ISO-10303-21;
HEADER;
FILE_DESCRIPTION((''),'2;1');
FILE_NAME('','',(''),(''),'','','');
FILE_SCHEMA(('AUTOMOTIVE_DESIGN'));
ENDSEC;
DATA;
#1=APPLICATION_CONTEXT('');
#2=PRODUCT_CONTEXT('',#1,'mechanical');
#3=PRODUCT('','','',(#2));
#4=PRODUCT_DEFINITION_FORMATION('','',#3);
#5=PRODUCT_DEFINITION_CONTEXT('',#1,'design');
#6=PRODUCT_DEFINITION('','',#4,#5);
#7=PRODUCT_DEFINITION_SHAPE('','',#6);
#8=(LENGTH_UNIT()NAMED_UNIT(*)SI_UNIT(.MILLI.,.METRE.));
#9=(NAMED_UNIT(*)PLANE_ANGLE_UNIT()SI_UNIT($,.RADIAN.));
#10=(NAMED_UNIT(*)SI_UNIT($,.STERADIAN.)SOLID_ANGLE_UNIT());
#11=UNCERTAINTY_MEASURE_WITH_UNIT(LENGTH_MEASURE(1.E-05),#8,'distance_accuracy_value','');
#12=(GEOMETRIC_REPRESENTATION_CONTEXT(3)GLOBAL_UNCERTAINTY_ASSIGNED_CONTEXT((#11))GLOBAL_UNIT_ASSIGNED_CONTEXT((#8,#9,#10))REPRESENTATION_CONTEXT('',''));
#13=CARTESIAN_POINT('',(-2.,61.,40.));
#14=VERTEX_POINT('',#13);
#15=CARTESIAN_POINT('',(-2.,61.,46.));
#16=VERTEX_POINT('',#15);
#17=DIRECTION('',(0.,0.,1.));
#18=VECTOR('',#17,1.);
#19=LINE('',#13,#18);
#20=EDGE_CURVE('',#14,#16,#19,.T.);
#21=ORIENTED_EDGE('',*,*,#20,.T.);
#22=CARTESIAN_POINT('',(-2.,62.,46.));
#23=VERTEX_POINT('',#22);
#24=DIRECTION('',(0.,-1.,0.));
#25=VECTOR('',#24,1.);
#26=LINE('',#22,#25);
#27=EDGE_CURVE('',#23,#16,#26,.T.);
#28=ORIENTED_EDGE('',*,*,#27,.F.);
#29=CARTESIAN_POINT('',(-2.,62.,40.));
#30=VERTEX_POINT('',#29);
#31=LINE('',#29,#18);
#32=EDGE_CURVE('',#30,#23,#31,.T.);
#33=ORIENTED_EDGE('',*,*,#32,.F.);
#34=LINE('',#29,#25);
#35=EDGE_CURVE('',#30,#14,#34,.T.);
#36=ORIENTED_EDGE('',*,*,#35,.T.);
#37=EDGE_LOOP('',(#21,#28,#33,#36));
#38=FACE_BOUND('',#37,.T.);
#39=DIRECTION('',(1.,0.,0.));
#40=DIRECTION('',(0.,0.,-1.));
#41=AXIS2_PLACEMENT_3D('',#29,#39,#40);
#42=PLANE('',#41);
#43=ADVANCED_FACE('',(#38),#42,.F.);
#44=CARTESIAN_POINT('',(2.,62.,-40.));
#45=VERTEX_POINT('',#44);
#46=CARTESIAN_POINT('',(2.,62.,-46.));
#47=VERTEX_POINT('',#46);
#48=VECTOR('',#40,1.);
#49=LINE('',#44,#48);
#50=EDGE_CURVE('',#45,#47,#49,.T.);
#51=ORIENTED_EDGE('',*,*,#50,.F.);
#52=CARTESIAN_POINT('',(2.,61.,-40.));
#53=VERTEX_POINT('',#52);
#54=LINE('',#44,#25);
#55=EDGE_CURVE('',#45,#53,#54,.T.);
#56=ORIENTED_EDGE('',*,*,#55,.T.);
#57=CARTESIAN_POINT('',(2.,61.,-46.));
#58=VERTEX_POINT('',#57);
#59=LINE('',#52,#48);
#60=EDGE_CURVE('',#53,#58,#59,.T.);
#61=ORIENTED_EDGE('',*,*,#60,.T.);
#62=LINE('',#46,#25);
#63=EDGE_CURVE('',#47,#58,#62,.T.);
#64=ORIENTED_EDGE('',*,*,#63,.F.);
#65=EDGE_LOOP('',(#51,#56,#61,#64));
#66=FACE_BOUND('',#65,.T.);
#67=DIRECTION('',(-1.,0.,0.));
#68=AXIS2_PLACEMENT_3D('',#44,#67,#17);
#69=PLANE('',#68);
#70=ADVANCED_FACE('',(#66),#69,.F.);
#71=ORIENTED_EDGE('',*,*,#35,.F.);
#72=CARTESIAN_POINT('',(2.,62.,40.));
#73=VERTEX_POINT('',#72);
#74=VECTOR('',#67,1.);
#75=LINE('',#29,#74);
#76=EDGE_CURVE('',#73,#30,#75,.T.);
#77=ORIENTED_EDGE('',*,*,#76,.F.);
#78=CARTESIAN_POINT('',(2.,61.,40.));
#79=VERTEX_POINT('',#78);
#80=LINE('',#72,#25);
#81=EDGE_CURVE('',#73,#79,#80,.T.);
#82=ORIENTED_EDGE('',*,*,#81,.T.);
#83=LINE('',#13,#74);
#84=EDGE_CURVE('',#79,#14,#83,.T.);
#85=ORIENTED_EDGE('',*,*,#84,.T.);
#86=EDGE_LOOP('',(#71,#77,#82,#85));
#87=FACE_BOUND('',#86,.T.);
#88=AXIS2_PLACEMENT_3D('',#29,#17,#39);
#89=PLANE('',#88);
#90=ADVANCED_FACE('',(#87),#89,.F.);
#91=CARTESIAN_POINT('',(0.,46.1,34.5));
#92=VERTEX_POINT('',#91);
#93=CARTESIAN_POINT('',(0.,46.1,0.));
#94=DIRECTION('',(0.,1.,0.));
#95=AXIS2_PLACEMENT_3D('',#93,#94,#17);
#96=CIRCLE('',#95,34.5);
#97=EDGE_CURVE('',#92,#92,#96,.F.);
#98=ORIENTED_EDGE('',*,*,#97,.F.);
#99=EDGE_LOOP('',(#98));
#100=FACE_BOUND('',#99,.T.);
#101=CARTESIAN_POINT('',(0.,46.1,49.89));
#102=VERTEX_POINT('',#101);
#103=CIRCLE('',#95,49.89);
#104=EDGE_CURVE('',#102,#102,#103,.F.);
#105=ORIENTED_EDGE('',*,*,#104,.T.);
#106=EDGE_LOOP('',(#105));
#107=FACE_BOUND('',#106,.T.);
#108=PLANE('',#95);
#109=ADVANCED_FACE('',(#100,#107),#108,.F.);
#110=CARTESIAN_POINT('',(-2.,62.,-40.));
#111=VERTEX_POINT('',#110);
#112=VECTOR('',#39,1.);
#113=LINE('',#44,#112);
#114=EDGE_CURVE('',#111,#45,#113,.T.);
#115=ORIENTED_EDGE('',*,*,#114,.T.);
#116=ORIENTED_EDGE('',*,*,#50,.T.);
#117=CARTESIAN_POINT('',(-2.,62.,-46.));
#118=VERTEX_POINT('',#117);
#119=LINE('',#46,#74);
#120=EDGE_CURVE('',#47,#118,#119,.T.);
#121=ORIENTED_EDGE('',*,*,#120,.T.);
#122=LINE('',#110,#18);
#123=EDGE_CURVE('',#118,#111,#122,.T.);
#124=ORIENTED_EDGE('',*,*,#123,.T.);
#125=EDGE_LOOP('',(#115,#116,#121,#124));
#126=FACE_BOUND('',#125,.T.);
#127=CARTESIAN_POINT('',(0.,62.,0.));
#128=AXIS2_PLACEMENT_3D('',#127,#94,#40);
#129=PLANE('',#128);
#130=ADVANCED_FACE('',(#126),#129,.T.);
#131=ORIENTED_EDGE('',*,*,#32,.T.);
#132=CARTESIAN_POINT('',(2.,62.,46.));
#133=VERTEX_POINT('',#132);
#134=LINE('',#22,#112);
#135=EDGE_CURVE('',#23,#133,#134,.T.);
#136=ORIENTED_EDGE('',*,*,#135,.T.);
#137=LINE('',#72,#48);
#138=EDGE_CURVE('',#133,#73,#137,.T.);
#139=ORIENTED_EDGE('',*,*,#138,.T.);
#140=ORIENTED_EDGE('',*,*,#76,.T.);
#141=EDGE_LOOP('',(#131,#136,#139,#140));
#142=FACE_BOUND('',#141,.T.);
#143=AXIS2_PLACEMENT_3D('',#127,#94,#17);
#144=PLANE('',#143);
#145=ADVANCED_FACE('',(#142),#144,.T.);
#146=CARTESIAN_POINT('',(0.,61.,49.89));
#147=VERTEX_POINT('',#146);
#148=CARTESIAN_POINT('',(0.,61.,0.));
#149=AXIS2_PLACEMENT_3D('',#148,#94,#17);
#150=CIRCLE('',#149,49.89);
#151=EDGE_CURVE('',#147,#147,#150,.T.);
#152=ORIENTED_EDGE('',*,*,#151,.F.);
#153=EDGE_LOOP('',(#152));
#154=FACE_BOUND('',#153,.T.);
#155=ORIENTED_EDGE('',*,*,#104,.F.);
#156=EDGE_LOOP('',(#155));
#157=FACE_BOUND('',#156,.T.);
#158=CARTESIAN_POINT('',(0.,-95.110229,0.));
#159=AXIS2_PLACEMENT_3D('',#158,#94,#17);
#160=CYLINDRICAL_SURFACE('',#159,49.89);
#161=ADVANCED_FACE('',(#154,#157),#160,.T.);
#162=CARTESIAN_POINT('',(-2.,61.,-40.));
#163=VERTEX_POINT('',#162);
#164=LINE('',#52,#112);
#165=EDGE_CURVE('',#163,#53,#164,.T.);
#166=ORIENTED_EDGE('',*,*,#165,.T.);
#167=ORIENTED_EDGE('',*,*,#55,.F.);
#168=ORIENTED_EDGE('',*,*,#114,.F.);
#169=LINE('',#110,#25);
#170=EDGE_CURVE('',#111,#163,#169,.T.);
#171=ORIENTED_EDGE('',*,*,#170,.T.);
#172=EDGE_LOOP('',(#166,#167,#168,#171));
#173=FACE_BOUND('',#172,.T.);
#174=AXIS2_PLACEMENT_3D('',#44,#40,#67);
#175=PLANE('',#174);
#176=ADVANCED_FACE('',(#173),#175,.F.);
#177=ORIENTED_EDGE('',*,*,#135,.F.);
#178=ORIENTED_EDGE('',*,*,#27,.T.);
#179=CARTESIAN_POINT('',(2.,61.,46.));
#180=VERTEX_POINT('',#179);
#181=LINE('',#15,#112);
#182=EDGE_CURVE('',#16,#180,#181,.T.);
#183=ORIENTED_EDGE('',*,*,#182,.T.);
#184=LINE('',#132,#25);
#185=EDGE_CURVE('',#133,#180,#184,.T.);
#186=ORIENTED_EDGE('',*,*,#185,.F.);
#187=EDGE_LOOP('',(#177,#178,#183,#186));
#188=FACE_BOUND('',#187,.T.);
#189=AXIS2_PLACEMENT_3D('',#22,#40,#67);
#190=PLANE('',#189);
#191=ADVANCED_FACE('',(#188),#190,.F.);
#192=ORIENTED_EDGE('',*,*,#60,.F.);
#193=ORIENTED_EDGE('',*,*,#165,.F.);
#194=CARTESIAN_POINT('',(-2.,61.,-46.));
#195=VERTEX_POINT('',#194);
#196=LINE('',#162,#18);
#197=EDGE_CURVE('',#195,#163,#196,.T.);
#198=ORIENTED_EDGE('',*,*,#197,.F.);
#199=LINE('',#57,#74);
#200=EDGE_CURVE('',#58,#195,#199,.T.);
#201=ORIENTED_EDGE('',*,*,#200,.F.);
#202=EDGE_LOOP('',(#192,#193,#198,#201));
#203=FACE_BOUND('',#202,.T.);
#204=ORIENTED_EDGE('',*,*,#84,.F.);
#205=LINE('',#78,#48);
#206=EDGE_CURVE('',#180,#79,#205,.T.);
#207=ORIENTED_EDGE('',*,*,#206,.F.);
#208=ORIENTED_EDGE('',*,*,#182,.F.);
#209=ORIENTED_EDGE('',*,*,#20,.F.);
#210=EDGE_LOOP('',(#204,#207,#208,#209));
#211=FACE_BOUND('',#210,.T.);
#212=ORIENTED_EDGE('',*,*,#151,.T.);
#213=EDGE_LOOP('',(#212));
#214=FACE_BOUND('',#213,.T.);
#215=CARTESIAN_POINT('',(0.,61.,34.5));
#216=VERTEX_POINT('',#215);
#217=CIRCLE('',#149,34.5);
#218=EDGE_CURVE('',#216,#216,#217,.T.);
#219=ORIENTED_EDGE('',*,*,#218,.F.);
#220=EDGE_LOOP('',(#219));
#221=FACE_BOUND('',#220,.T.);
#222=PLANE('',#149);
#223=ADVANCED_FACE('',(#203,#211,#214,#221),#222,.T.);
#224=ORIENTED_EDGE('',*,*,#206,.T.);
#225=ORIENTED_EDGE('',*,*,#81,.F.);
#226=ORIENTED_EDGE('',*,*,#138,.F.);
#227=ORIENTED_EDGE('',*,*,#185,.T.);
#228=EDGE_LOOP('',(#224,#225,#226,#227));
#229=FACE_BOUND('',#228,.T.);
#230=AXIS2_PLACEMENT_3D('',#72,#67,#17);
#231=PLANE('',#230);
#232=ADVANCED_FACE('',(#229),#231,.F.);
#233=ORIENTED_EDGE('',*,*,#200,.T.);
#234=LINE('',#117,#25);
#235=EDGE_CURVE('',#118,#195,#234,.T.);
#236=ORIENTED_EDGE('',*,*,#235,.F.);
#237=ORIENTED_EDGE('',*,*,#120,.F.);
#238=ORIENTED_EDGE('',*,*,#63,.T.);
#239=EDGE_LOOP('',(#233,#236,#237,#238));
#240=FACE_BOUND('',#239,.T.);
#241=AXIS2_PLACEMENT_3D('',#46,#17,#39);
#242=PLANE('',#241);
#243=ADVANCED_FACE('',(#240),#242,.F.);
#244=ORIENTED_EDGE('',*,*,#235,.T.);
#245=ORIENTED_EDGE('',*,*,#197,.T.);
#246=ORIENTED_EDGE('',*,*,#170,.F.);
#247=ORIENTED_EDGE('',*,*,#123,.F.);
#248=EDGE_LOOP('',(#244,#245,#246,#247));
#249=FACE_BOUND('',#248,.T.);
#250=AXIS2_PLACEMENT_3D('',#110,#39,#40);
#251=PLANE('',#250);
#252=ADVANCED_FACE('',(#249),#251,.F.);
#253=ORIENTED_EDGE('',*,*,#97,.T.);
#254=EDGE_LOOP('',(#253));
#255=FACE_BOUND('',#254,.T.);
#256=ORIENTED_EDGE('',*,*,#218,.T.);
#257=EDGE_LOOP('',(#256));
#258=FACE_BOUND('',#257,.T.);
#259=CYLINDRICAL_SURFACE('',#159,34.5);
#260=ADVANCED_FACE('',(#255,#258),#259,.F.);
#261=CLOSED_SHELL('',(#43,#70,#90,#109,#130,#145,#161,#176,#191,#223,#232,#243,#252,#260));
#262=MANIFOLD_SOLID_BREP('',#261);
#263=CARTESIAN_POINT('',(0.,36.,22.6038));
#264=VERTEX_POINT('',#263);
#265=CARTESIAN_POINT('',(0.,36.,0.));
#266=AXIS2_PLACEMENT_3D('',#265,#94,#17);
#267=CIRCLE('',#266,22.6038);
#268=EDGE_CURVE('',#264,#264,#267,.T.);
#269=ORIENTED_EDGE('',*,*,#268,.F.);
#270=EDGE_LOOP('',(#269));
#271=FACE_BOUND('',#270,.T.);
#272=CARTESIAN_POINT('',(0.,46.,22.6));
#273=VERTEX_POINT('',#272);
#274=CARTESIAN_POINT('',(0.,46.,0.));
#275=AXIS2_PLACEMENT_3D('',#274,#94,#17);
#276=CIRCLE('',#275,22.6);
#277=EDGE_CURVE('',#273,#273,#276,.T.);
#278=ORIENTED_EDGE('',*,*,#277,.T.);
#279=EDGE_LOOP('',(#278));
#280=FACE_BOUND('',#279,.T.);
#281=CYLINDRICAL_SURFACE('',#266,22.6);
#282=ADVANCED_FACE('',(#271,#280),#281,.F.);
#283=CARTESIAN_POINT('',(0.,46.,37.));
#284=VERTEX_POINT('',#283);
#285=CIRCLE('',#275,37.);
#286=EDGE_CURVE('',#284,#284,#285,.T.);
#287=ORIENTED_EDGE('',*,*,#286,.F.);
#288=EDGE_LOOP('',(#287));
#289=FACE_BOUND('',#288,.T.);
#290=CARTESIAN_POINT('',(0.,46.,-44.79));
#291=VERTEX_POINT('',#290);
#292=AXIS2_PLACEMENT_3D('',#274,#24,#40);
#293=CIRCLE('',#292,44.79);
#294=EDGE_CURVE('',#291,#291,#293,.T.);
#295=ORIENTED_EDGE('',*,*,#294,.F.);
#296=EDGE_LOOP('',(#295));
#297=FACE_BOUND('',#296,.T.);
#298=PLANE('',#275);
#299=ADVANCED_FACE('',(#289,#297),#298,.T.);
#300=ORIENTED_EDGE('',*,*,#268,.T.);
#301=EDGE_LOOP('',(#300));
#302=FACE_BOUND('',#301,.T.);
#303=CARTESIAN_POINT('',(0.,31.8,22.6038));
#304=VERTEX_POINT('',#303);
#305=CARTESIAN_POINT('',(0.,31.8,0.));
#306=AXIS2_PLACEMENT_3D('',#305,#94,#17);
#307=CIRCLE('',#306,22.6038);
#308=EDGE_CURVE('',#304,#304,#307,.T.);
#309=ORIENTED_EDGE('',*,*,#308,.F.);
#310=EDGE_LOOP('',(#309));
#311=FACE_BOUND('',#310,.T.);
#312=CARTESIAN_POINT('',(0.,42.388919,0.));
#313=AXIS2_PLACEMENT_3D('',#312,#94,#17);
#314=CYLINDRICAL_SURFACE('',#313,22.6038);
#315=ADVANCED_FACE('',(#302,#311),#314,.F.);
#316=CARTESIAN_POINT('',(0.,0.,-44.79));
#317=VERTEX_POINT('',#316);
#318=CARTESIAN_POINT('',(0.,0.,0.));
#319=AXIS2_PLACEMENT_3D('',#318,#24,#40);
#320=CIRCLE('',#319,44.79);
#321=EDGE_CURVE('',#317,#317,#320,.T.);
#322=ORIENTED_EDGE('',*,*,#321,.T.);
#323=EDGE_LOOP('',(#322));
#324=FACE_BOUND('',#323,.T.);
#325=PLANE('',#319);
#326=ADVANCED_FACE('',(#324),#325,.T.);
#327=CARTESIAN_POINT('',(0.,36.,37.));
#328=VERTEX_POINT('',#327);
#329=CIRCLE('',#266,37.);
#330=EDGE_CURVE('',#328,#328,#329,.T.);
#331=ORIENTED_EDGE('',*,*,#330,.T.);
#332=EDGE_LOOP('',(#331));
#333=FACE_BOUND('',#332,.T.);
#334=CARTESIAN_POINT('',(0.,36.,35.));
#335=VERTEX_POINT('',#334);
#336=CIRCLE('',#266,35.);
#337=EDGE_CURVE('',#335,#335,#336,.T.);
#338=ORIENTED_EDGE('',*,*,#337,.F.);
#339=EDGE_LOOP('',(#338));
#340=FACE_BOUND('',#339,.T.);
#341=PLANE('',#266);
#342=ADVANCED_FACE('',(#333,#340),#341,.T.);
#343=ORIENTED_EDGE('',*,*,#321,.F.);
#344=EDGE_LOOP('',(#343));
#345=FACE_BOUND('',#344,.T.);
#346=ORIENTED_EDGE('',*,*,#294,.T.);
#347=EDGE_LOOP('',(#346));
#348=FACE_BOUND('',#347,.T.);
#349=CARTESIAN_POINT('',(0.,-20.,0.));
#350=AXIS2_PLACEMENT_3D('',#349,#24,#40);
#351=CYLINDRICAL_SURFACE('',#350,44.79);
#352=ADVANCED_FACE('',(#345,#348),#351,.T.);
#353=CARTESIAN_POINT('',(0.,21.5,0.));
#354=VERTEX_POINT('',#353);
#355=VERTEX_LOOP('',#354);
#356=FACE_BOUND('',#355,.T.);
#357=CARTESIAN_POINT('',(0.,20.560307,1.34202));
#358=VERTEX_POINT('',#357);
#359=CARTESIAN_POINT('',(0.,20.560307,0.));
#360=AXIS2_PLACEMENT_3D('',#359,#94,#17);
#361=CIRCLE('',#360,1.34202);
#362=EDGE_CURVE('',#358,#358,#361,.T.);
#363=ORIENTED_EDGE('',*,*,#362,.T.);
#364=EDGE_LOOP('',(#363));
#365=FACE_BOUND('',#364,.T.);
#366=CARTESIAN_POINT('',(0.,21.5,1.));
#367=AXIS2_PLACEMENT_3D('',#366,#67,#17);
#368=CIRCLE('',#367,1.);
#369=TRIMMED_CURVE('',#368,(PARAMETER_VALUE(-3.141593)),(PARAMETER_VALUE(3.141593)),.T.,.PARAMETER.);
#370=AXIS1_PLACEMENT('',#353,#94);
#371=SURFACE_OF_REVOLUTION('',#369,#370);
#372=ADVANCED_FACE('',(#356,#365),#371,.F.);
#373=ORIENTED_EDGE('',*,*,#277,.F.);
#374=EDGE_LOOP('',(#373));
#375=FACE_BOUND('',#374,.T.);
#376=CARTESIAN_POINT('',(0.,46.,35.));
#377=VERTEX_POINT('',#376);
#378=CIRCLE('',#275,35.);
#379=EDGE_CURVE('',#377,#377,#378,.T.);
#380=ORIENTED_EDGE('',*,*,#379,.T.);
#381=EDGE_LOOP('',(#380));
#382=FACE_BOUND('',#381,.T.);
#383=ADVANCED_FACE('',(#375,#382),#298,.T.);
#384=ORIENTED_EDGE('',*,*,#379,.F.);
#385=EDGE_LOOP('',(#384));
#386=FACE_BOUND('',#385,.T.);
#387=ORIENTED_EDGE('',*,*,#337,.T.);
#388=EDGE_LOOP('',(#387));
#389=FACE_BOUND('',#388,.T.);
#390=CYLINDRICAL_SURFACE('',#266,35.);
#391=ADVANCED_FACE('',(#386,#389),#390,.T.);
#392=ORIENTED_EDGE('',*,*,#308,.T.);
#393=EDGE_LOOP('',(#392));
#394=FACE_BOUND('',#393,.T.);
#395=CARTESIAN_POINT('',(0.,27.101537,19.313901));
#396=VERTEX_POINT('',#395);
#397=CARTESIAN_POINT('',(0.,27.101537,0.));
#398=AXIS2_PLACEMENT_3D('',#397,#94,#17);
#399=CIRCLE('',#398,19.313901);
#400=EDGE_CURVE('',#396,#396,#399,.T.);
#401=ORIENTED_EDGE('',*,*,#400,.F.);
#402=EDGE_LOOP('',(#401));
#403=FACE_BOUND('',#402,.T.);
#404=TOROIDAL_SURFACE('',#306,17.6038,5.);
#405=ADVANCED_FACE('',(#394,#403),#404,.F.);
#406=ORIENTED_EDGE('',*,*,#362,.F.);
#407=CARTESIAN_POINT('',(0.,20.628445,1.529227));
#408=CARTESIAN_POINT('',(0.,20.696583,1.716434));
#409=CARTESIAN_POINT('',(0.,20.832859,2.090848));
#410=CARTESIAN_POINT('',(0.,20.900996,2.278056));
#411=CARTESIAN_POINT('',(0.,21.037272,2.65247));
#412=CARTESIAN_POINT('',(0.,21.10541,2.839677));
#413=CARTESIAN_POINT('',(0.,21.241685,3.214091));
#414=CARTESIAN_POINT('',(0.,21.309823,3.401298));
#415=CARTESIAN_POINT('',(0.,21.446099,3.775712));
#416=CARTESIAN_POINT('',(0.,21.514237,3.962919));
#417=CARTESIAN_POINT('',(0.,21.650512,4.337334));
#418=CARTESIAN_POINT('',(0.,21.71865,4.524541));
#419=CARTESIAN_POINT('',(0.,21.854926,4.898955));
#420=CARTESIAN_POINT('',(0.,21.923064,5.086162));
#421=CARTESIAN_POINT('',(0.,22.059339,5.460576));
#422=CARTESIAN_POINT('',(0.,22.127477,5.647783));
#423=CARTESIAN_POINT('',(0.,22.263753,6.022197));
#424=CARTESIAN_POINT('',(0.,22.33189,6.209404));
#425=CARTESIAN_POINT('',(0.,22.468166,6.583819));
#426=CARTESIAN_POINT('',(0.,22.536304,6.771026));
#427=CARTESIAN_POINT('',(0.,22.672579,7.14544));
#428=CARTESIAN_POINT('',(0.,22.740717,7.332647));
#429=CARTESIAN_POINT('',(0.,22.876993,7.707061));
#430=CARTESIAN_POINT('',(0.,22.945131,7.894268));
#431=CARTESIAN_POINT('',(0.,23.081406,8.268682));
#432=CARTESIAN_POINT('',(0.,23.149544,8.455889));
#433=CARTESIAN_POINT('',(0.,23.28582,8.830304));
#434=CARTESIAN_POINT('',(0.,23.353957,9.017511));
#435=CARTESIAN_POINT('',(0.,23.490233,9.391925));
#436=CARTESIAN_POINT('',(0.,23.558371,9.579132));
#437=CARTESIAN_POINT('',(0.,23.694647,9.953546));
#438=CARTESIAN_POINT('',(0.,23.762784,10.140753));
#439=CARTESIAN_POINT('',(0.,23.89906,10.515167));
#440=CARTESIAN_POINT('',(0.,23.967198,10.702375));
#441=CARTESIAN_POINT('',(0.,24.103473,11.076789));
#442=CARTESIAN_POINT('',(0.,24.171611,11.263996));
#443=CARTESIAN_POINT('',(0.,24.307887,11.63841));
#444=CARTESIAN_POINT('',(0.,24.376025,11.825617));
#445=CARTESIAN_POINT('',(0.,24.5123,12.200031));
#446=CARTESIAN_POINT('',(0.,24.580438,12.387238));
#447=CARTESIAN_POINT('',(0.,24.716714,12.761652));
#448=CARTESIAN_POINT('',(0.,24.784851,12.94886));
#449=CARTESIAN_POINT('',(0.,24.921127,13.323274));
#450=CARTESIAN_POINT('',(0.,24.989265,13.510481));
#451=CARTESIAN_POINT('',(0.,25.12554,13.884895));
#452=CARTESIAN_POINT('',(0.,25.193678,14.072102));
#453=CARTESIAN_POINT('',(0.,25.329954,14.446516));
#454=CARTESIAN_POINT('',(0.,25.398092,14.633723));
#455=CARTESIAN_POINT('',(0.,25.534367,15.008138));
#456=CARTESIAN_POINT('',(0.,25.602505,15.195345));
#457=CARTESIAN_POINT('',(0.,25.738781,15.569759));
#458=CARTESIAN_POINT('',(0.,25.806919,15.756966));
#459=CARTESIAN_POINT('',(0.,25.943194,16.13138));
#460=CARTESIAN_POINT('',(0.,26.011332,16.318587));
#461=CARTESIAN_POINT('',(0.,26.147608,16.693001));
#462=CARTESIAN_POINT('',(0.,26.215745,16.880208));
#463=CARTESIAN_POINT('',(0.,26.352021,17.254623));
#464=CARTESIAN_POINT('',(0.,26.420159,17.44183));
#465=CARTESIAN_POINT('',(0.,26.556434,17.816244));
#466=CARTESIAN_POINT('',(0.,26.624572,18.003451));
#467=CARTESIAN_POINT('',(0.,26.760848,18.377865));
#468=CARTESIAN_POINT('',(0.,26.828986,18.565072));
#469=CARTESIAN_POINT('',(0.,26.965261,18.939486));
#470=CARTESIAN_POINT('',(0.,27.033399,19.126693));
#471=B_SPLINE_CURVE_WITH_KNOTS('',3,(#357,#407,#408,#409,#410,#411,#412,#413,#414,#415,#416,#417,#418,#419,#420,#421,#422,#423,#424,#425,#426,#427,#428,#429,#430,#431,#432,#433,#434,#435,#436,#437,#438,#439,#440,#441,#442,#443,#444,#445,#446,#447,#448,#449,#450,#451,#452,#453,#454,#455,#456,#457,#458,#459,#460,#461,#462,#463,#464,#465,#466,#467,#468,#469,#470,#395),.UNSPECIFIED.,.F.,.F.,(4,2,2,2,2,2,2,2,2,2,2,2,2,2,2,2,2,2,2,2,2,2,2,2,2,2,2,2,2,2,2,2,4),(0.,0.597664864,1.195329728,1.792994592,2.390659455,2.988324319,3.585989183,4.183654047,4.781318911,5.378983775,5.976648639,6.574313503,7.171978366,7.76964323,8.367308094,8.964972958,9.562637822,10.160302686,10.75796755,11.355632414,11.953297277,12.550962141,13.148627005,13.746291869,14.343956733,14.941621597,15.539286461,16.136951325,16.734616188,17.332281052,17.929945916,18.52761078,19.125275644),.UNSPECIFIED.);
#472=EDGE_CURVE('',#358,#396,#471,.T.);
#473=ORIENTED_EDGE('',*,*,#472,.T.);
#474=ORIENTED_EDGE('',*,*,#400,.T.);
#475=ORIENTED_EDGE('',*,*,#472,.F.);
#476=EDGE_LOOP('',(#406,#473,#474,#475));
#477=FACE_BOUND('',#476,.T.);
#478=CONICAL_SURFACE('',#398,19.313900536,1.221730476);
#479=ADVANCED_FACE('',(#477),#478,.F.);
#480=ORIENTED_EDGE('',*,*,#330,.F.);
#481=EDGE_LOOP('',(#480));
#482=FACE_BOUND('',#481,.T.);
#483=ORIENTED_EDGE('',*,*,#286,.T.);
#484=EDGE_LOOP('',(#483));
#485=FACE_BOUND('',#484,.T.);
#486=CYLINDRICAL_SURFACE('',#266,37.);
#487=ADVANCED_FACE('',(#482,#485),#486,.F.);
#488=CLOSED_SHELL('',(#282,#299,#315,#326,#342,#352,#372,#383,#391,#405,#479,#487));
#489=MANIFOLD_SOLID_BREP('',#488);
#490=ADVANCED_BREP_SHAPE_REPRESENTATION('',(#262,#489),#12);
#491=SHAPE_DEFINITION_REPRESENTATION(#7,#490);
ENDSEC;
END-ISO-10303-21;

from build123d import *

# Parameters (mm, degrees)
SKETCH3_W           = 44.79
SKETCH3_H           = 46
SKETCH4_R           = 22.6
CUT_EXTRUDE1_DEPTH  = 10
SKETCH5_R           = 37
SKETCH5_R_2         = 35
CUT_EXTRUDE3_DEPTH  = 10
SKETCH6_R           = 49.89
SKETCH6_R_2         = 34.5
BOSS_EXTRUDE2_DEPTH = 14.9
SKETCH15_W          = 4
SKETCH15_H          = 6
BOSS_EXTRUDE4_DEPTH = 1
CIRPATTERN2_COUNT   = 2


with BuildPart() as part:
    # Sketch3 → Revolve1 (revolve)
    with BuildSketch(Plane.XY, mode=Mode.PRIVATE) as revolve1_sk:
        with Locations((22.395, 23)):
            Rectangle(SKETCH3_W, SKETCH3_H)
    revolve(revolve1_sk.sketch.rotate(Axis((0, -20, 0), (0, 1, 0)), 90), axis=Axis((0, -20, 0), (0, 1, 0)))

    # Sketch4 → Cut-Extrude1 (cut)
    with BuildSketch(Plane(origin=(0, 46, 0), x_dir=(1, 0, 0), z_dir=(0, 1, 0))):
        with Locations(Location((0, 0, 0), (0, 0, 270))):
            Circle(SKETCH4_R)
    extrude(amount=-CUT_EXTRUDE1_DEPTH, mode=Mode.SUBTRACT)

    # Sketch5 → Cut-Extrude3 (cut)
    with BuildSketch(Plane(origin=(0, 46, 0), x_dir=(1, 0, 0), z_dir=(0, 1, 0))):
        with Locations(Location((0, 0, 0), (0, 0, 270))):
            Circle(SKETCH5_R)
        with Locations(Location((0, 0, 0), (0, 0, 270))):
            Circle(SKETCH5_R_2, mode=Mode.SUBTRACT)
    extrude(amount=-CUT_EXTRUDE3_DEPTH, mode=Mode.SUBTRACT)

    # Sketch13 → Cut-Revolve1 (revolve, cut)
    with BuildSketch(Plane.XY, mode=Mode.PRIVATE) as cut_revolve1_sk:
        with BuildLine():
            Line((0, 36), (-22.60379982, 36))
            Line((-22.60379982, 36), (-22.60379982, 31.8))
            ThreePointArc((-22.60379982, 31.8), (-21.699560041, 28.932117818), (-19.313900536, 27.101536896))
            Line((-19.313900536, 27.101536896), (-1.342020143, 20.560307379))
            ThreePointArc((-1.342020143, 20.560307379), (-0.426423564, 20.680847956), (0, 21.5))
            Line((0, 21.5), (0, 36))
        make_face()
    revolve(cut_revolve1_sk.sketch.rotate(Axis((0, 42.388918631, 0), (0, -1, 0)), 270), axis=Axis((0, 42.388918631, 0), (0, -1, 0)), mode=Mode.SUBTRACT)


with BuildPart() as body_2:
    # Sketch6 → Boss-Extrude2 (new body)
    with BuildSketch(Plane(origin=(0, 61, 0), x_dir=(1, 0, 0), z_dir=(0, 1, 0))):
        with Locations(Location((0, 0, 0), (0, 0, 270))):
            Circle(SKETCH6_R)
        with Locations(Location((0, 0, 0), (0, 0, 270))):
            Circle(SKETCH6_R_2, mode=Mode.SUBTRACT)
    extrude(amount=-BOSS_EXTRUDE2_DEPTH)

    # Sketch15 → Boss-Extrude4 (add)
    with BuildSketch(Plane(origin=(0, 61, 0), x_dir=(1, 0, 0), z_dir=(0, 1, 0))):
        with Locations((0, -43)):
            Rectangle(SKETCH15_W, SKETCH15_H)
    boss_extrude4 = extrude(amount=BOSS_EXTRUDE4_DEPTH)

    # CirPattern2: Boss-Extrude4 ×2 about axis
    cirpattern2_axis = Axis((0, 0, 0), (0, 1, 0))
    for i in range(1, CIRPATTERN2_COUNT):
        add(boss_extrude4.rotate(cirpattern2_axis, i * 360 / CIRPATTERN2_COUNT))


solid = Compound([part.part, body_2.part])
